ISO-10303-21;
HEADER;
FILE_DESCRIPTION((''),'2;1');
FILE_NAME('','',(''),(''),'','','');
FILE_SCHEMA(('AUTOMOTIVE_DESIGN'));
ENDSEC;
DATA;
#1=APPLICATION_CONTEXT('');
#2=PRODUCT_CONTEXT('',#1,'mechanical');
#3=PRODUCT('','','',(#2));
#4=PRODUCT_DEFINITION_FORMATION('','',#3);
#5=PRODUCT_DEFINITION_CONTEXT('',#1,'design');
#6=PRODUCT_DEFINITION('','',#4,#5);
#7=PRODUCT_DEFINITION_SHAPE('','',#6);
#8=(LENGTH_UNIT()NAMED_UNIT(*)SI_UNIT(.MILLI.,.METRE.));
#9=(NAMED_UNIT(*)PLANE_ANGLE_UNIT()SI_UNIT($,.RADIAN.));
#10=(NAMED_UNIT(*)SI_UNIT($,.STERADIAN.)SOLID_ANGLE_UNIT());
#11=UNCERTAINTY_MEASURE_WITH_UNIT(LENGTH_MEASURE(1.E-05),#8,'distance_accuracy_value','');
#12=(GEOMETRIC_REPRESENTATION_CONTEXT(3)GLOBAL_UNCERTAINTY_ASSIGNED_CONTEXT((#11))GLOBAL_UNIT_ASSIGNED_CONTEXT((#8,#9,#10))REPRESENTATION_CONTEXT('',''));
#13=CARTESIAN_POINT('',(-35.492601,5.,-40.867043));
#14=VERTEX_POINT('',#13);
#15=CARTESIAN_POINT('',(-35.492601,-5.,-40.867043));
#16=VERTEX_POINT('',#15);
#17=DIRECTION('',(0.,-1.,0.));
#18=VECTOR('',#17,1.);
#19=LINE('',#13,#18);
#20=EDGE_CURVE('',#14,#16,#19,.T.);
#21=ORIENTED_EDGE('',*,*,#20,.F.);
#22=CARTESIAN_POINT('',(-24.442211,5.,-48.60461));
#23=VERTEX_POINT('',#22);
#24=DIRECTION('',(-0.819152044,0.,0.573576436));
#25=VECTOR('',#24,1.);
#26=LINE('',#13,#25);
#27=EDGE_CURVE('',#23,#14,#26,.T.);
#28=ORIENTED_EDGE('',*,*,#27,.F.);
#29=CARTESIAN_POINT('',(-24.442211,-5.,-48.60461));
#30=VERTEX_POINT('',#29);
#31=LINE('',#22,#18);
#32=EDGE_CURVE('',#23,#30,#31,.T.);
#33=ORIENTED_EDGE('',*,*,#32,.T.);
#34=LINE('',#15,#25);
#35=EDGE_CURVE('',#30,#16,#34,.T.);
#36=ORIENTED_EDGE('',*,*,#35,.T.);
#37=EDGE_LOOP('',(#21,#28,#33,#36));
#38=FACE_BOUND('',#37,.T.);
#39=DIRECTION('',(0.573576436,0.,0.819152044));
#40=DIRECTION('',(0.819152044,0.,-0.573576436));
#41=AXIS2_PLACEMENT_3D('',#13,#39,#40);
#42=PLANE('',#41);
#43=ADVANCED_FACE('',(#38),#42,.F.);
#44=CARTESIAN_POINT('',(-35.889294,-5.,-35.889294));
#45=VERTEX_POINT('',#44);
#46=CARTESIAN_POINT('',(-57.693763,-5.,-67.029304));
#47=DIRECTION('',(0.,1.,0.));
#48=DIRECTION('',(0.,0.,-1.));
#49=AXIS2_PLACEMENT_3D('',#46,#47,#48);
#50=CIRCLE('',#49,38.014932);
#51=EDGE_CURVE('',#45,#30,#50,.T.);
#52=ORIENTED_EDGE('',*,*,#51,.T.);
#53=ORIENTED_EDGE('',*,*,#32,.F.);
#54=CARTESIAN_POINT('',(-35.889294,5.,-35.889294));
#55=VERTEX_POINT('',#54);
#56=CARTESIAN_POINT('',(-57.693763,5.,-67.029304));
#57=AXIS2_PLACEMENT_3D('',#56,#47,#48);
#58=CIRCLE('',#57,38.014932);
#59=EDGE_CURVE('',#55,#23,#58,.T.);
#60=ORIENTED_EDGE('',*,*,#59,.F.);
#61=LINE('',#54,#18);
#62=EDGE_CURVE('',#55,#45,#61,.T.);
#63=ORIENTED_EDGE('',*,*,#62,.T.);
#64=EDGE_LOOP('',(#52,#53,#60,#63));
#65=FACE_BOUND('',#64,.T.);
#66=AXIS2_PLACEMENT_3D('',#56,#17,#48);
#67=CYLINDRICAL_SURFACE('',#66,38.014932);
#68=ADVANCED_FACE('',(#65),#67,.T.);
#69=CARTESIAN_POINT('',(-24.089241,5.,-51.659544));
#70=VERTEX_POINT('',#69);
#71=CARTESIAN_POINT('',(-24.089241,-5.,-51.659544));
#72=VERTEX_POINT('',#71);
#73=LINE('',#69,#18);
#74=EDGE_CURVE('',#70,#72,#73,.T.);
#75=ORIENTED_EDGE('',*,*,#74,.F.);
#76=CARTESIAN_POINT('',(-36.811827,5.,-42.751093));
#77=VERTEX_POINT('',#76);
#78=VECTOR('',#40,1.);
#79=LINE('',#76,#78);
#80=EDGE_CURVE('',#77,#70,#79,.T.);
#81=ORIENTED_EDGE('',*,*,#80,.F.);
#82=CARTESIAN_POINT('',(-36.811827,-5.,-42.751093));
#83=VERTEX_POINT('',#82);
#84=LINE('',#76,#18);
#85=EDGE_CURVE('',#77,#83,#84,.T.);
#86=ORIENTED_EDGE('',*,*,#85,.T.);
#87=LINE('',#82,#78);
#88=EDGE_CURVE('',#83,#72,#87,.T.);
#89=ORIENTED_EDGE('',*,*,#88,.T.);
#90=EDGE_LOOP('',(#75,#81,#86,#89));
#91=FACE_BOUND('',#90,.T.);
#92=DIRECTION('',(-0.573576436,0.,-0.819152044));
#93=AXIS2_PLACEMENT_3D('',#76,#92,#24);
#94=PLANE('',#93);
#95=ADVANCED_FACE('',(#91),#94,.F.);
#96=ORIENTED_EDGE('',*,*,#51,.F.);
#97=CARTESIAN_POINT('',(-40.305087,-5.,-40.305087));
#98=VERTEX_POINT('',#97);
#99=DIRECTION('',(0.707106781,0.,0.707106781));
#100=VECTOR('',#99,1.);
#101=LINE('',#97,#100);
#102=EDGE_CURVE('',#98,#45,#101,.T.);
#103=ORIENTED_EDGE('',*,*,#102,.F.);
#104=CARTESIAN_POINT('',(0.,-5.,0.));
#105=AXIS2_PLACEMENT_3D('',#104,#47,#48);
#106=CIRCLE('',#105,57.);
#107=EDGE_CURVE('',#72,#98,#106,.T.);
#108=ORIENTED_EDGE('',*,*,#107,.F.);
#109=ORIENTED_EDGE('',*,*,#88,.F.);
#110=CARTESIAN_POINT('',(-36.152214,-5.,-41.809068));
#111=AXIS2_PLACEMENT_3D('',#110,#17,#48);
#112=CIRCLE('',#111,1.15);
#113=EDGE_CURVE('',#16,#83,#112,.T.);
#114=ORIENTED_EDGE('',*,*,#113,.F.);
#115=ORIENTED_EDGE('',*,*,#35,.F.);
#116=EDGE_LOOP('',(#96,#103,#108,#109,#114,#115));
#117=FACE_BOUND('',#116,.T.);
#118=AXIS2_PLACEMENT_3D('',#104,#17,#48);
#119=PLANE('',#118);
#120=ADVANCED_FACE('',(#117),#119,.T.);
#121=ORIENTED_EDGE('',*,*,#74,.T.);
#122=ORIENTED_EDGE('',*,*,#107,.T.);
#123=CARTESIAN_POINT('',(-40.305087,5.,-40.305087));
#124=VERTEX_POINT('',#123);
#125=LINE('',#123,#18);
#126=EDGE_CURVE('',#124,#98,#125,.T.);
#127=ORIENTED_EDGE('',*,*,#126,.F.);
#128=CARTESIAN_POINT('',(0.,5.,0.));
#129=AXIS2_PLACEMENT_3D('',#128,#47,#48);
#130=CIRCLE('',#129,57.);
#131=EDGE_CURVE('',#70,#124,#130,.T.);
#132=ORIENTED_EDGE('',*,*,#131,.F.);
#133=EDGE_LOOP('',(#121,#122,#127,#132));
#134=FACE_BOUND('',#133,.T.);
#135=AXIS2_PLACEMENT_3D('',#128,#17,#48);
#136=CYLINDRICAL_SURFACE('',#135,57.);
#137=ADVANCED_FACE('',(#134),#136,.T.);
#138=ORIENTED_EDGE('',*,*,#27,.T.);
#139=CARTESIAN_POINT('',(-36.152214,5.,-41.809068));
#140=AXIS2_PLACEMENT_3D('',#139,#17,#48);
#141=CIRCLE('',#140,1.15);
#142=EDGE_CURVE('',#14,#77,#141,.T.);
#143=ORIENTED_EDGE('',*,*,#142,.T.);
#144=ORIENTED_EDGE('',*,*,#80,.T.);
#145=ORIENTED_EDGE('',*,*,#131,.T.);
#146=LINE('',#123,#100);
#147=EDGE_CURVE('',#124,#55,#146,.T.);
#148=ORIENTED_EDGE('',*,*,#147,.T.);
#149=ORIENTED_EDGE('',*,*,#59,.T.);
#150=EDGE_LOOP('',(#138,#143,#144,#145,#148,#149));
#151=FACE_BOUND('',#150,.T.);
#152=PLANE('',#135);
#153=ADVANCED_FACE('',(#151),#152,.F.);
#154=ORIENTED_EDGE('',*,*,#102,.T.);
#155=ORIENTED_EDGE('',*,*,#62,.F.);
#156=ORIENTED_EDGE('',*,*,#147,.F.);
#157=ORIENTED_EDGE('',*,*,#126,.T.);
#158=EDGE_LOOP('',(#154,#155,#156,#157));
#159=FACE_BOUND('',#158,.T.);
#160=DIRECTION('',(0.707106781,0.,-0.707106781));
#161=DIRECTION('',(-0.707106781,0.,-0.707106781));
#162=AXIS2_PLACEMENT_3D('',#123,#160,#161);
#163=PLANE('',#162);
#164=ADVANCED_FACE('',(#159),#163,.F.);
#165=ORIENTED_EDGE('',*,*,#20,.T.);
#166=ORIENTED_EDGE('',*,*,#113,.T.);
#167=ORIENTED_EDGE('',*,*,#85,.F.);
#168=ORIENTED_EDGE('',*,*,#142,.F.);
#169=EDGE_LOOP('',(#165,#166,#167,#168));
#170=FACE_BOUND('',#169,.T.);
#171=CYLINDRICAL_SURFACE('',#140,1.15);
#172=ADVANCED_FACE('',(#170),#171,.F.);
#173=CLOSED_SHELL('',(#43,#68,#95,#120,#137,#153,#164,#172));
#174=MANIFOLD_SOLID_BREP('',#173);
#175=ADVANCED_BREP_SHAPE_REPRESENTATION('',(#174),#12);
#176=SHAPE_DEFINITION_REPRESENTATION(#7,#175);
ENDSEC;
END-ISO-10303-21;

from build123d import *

# Parameters (mm, degrees)
BOSS_EXTRUDE1_DEPTH = 5


with BuildPart() as part:
    # Sketch2 → Boss-Extrude1 (new, symmetric)
    with BuildSketch(Plane(origin=(0, 0, 0), x_dir=(1, 0, 0), z_dir=(0, 1, 0))):
        with BuildLine():
            Line((-40.305086528, 40.305086528), (-35.889294013, 35.889294013))
            ThreePointArc((-35.889294013, 35.889294013), (-29.44113155, 41.594605349), (-24.442210759, 48.604610165))
            Line((-24.442210759, 48.604610165), (-35.492601187, 40.867043487))
            ThreePointArc((-35.492601187, 40.867043487), (-37.094238939, 41.149455436), (-36.81182699, 42.751093189))
            Line((-36.81182699, 42.751093189), (-24.089240919, 51.659543861))
            ThreePointArc((-24.089240919, 51.659543861), (-32.693856872, 46.691666524), (-40.305086528, 40.305086528))
        make_face()
    extrude(amount=BOSS_EXTRUDE1_DEPTH, both=True)


solid = part.part
